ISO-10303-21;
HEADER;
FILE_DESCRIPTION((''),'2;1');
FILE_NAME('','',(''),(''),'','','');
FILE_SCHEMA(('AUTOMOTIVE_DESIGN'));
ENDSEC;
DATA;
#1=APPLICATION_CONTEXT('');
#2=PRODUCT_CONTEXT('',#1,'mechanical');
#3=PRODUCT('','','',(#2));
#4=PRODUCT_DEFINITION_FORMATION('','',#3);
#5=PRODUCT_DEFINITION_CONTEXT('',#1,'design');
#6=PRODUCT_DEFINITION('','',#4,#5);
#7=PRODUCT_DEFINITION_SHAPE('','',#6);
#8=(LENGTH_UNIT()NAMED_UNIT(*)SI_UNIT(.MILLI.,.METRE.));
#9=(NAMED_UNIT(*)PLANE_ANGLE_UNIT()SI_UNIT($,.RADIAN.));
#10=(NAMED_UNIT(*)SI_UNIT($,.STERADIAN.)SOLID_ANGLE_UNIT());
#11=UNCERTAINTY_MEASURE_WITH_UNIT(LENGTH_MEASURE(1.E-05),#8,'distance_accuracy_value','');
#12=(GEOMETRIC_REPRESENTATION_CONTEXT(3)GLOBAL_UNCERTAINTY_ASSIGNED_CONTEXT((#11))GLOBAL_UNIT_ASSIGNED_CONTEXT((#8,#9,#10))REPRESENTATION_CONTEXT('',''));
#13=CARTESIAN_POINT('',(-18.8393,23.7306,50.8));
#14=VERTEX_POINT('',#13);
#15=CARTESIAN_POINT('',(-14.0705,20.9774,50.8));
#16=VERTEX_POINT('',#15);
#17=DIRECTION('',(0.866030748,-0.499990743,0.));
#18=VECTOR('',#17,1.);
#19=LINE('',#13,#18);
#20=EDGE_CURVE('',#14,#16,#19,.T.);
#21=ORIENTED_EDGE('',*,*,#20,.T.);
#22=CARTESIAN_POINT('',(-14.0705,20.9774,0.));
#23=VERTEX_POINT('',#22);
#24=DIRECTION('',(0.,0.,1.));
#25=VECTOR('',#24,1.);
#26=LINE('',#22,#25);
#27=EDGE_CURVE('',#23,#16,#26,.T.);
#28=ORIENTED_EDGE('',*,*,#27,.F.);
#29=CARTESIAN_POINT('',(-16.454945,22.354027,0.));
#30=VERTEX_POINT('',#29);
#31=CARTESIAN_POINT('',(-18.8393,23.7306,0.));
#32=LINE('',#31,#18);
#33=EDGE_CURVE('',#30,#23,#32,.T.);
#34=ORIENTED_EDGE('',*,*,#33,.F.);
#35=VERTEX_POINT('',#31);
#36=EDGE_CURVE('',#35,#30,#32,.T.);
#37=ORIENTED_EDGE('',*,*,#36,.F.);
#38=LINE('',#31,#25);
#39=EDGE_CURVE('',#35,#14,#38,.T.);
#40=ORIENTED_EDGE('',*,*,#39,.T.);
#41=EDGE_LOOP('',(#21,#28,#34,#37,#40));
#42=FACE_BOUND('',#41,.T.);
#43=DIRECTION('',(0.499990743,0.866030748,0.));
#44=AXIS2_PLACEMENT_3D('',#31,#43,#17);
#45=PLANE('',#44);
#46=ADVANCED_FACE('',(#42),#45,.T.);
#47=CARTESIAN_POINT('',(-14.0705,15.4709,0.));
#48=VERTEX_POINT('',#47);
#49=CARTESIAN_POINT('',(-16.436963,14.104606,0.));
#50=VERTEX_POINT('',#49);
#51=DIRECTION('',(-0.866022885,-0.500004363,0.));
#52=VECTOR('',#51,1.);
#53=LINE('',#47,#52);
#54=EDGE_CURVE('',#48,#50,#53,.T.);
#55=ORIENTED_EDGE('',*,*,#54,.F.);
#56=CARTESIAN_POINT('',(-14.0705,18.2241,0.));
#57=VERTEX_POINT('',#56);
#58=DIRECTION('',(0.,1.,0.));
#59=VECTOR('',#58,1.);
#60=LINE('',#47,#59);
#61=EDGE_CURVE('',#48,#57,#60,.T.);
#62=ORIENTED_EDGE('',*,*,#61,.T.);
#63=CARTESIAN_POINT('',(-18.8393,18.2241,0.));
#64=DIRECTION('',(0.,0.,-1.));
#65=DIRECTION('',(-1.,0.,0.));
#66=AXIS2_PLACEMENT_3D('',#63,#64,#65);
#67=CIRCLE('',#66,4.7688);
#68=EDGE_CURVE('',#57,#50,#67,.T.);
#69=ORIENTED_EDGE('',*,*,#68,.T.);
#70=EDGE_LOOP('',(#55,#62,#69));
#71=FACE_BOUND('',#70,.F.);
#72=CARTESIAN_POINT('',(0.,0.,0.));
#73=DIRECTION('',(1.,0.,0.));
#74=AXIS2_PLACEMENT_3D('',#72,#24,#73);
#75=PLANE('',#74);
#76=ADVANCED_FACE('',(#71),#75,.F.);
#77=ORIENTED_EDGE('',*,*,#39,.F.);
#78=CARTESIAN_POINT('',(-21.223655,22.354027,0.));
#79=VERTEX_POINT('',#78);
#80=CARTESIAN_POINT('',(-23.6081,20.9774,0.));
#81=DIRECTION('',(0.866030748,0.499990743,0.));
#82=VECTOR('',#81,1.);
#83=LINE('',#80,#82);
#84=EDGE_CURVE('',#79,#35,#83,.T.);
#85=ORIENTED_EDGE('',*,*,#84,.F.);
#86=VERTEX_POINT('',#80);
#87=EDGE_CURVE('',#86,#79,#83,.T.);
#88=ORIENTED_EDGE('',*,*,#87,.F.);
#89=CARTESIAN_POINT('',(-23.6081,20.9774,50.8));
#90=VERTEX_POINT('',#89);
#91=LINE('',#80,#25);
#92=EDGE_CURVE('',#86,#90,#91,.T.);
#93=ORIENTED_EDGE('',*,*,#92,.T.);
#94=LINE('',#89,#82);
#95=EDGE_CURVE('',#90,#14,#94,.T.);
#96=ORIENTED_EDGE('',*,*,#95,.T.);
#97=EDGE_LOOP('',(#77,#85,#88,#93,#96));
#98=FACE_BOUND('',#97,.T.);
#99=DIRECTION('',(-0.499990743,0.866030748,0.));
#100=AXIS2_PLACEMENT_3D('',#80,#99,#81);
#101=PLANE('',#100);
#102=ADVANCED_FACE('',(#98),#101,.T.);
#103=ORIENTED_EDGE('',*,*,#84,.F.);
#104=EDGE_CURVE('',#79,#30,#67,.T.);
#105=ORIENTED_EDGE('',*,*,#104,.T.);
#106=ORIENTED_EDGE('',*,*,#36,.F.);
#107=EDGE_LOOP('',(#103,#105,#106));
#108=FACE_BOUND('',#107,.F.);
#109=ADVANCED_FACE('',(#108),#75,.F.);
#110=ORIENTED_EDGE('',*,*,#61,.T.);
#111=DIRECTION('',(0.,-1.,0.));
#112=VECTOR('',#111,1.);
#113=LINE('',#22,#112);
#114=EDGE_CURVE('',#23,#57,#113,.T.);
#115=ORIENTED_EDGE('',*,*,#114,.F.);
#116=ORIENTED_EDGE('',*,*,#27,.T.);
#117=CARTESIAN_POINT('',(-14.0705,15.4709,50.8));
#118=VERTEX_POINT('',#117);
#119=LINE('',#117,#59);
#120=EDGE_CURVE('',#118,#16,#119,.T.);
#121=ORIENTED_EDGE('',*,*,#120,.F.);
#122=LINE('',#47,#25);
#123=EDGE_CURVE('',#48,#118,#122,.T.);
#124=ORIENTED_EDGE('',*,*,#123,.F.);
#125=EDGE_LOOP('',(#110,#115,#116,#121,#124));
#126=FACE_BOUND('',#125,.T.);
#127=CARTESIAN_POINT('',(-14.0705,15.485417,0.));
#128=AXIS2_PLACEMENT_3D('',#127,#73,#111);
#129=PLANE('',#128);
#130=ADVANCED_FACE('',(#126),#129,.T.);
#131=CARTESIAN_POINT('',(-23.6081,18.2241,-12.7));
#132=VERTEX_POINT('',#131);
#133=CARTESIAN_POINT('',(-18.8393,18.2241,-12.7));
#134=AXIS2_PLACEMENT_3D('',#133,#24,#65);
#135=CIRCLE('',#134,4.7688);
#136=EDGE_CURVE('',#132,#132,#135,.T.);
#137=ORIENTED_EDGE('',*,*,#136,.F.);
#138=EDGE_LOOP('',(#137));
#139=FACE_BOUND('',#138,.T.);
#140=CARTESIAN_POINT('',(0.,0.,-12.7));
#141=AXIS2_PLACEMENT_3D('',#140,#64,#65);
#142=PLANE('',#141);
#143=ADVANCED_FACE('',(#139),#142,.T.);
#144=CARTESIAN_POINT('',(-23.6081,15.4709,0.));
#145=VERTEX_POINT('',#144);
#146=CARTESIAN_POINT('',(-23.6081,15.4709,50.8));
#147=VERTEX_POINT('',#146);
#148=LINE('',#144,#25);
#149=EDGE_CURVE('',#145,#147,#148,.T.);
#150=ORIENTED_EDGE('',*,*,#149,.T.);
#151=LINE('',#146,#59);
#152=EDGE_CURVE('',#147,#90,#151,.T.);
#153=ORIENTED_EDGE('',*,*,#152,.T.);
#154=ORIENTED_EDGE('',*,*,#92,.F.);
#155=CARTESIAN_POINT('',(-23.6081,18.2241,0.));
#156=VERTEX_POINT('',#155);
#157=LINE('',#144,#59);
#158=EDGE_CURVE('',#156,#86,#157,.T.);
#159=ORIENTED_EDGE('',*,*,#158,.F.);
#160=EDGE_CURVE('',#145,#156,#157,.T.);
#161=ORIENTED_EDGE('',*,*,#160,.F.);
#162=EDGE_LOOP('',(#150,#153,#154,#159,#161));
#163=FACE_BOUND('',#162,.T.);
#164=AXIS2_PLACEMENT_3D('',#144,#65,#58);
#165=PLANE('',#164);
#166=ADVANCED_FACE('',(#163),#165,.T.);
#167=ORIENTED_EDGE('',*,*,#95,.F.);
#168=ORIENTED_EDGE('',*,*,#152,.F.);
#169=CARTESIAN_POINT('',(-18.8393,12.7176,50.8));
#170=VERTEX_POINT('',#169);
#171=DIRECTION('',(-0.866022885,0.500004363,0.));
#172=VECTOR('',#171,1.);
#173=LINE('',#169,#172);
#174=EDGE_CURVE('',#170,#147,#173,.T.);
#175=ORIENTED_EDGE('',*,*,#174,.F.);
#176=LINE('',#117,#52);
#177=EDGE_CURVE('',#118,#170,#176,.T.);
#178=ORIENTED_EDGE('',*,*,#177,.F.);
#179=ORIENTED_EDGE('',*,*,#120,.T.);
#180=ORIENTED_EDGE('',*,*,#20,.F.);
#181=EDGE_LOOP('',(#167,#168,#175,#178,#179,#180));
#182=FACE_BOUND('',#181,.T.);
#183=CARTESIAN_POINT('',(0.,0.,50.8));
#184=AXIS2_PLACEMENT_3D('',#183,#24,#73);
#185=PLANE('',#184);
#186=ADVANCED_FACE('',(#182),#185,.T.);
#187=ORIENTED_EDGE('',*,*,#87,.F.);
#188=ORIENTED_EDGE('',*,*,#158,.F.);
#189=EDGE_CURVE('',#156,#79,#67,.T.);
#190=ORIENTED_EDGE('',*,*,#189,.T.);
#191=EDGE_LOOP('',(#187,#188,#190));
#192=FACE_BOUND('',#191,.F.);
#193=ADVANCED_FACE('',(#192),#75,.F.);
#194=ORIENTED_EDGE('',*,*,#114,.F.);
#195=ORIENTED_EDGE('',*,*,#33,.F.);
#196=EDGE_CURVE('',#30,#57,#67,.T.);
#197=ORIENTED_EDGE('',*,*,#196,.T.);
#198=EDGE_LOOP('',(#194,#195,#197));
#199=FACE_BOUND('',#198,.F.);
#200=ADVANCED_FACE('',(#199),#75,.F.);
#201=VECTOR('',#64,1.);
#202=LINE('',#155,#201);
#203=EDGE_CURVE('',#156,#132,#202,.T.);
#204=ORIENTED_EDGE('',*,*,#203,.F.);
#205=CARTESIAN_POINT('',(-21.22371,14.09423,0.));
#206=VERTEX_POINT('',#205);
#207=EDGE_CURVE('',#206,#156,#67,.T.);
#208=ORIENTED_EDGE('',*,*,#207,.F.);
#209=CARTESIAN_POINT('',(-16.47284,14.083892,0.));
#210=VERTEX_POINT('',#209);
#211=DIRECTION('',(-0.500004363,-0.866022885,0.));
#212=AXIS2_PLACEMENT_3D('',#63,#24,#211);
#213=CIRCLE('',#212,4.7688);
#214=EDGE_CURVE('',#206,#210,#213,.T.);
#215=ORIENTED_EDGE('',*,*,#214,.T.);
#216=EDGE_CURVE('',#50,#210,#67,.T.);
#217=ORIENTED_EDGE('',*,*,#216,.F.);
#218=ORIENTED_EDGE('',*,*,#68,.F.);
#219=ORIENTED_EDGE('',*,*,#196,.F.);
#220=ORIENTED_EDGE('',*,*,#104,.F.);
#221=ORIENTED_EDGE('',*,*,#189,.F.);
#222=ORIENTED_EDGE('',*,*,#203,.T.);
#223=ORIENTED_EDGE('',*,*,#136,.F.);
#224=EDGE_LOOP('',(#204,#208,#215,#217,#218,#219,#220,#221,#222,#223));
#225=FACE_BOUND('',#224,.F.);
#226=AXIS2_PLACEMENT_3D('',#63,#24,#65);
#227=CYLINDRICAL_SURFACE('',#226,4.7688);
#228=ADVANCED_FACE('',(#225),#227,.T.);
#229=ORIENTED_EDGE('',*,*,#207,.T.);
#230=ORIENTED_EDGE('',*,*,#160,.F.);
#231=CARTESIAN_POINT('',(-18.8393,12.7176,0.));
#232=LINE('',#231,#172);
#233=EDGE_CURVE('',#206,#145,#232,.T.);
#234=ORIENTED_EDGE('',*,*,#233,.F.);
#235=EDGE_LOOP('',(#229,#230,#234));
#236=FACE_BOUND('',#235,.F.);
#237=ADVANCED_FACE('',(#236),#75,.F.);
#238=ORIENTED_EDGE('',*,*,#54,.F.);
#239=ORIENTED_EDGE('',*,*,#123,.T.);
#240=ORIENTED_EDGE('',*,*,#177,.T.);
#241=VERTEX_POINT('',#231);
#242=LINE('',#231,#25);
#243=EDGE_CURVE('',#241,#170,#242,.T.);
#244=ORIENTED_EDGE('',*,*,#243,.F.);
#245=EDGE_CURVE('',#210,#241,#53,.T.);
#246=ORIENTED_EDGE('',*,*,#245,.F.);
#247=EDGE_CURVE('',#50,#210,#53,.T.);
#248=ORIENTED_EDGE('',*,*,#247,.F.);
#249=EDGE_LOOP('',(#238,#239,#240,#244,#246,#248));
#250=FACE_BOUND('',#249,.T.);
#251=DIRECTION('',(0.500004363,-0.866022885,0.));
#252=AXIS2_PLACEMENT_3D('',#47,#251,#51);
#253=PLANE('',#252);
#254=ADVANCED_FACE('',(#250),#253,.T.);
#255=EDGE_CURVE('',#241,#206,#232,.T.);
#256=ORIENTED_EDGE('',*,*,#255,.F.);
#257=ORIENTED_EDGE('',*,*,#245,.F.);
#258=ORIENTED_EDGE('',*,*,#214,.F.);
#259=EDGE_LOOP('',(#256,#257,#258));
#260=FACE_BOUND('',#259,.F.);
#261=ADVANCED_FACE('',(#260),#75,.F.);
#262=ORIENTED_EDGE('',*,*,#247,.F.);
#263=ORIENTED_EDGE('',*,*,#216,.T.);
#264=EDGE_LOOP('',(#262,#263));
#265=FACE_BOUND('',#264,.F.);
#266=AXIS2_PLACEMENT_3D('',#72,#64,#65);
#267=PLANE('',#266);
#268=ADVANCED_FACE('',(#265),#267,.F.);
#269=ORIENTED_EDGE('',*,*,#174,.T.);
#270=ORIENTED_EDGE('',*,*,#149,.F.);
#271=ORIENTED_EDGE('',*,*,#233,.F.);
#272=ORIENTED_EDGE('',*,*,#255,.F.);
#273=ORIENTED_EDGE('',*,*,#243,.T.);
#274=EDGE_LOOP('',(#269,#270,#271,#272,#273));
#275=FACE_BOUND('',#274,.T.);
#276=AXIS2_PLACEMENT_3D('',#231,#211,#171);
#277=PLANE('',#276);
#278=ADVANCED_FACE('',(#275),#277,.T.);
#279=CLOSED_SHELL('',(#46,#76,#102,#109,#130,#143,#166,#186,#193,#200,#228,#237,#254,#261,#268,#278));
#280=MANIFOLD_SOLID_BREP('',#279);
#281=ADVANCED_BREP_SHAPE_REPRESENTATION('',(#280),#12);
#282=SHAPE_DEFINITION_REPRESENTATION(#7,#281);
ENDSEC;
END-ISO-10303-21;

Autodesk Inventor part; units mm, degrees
ref_plane "YZ Plane" through (0, 0, 0) normal (1, 0, 0) x (0, 1, 0)
ref_plane "XZ Plane" through (0, 0, 0) normal (0, 1, 0) x (-1, 0, 0)
ref_plane "XY Plane" through (0, 0, 0) normal (0, 0, 1) x (1, 0, 0)
sketch "Sketch1" plane through (0, 0, 0) normal (0, 0, 1) x (1, 0, 0)
  line L0 (-16.4487, 14.1051) -> (-9.6381, 18.058)
  line L1 (-16.4487, 14.1051) -> (-18.8393, 18.2241)
  line L2 (-18.8393, 12.7176) -> (-23.6081, 15.4709)
  line L3 (-23.6081, 15.4709) -> (-23.6081, 20.9774)
  line L4 (-23.6081, 20.9774) -> (-18.8393, 23.7306)
  line L5 (-18.8393, 23.7306) -> (-14.0705, 20.9774)
  line L6 (-14.0705, 20.9774) -> (-14.0705, 15.4709)
  line L7 (-14.0705, 15.4709) -> (-18.8393, 12.7176)
  dimension "d5" = 4.7625
extrude "Extrusion1" add sketch "Sketch1" along normal blind 50.8
sketch "Sketch3" plane through (0, 0, 0) normal (0, 0, -1) x (-1, 0, 0)
  line L0 (23.6081, 15.4709) -> (18.8393, 12.7176) projected
  line L1 (18.8393, 12.7176) -> (18.8393, 18.2241)
  circle A0 centre (18.8393, 18.2241) radius 4.7688
  point P0 (0, 0)
extrude "Extrusion3" add sketch "Sketch3" along normal blind 12.7 contours A0
properties part number "Sanded Hex Rod"
